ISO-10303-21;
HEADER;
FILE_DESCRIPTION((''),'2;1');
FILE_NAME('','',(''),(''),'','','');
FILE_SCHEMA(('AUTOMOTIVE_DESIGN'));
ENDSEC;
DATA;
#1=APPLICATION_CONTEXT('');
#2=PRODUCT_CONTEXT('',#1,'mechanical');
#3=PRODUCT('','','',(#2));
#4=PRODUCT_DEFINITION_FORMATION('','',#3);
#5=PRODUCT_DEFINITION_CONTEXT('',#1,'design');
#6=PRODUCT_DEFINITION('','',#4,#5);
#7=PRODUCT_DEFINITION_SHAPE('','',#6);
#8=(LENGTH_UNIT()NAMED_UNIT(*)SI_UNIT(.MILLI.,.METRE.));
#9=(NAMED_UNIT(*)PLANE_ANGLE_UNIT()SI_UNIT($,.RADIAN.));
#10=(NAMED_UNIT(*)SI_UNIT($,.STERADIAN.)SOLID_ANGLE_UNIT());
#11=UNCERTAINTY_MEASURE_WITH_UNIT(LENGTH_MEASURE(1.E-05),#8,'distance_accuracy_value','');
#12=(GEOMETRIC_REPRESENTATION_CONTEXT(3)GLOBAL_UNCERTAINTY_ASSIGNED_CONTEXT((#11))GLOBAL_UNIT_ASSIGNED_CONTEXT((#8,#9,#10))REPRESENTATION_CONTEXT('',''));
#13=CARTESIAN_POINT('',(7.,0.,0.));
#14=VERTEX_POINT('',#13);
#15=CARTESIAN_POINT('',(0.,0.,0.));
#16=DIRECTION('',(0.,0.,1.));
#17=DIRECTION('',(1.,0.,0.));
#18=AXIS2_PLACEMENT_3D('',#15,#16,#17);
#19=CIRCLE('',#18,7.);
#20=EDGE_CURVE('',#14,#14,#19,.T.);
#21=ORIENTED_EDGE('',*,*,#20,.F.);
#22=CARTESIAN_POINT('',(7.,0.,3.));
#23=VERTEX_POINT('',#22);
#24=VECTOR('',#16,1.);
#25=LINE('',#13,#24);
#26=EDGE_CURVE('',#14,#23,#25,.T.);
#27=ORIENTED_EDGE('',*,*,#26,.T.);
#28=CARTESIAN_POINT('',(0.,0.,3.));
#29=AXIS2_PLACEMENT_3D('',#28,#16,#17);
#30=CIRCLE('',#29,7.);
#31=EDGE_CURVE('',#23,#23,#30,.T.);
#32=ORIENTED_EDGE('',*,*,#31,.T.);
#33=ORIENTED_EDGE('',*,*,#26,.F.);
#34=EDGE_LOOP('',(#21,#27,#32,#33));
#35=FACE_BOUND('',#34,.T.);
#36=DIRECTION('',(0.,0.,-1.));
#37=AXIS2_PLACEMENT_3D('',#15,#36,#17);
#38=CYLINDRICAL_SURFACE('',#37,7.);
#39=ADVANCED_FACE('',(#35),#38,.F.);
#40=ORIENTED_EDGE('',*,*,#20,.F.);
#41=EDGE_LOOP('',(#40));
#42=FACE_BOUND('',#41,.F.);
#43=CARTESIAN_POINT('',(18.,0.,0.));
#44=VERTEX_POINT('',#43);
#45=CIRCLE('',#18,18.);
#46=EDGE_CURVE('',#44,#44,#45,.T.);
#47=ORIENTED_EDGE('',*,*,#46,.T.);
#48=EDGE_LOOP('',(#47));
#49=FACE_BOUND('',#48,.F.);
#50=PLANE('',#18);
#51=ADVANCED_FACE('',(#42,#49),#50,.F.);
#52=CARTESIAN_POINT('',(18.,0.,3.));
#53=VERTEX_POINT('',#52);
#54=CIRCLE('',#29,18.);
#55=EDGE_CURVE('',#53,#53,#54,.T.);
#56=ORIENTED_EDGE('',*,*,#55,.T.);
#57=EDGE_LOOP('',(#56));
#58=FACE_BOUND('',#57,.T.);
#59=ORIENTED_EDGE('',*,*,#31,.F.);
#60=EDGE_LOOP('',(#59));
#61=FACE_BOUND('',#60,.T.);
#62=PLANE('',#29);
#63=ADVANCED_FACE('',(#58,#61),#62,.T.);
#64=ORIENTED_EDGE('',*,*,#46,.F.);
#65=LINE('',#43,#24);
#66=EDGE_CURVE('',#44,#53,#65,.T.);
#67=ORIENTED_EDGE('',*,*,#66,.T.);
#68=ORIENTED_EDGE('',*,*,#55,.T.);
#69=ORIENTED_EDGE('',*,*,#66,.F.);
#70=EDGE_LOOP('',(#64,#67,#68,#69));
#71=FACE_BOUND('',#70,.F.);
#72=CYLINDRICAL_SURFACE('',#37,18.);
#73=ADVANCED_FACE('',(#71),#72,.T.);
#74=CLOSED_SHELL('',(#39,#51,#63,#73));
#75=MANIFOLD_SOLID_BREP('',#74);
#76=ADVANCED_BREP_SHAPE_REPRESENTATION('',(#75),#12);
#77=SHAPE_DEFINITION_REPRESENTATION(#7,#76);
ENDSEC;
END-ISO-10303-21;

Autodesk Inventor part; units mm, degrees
ref_plane "YZ Plane" through (0, 0, 0) normal (1, 0, 0) x (0, 1, 0)
ref_plane "XZ Plane" through (0, 0, 0) normal (0, 1, 0) x (-1, 0, 0)
ref_plane "XY Plane" through (0, 0, 0) normal (0, 0, 1) x (1, 0, 0)
sketch "Sketch1" plane through (0, 0, 0) normal (0, 0, 1) x (1, 0, 0)
  circle A0 centre (0, 0) radius 7 projected
  circle A1 centre (0, 0) radius 7
  circle A2 centre (0, 0) radius 18
  dimension "d0" = 36
extrude "Extrusion1" add sketch "Sketch1" along normal blind 3
properties part number "BigGearExtension"
